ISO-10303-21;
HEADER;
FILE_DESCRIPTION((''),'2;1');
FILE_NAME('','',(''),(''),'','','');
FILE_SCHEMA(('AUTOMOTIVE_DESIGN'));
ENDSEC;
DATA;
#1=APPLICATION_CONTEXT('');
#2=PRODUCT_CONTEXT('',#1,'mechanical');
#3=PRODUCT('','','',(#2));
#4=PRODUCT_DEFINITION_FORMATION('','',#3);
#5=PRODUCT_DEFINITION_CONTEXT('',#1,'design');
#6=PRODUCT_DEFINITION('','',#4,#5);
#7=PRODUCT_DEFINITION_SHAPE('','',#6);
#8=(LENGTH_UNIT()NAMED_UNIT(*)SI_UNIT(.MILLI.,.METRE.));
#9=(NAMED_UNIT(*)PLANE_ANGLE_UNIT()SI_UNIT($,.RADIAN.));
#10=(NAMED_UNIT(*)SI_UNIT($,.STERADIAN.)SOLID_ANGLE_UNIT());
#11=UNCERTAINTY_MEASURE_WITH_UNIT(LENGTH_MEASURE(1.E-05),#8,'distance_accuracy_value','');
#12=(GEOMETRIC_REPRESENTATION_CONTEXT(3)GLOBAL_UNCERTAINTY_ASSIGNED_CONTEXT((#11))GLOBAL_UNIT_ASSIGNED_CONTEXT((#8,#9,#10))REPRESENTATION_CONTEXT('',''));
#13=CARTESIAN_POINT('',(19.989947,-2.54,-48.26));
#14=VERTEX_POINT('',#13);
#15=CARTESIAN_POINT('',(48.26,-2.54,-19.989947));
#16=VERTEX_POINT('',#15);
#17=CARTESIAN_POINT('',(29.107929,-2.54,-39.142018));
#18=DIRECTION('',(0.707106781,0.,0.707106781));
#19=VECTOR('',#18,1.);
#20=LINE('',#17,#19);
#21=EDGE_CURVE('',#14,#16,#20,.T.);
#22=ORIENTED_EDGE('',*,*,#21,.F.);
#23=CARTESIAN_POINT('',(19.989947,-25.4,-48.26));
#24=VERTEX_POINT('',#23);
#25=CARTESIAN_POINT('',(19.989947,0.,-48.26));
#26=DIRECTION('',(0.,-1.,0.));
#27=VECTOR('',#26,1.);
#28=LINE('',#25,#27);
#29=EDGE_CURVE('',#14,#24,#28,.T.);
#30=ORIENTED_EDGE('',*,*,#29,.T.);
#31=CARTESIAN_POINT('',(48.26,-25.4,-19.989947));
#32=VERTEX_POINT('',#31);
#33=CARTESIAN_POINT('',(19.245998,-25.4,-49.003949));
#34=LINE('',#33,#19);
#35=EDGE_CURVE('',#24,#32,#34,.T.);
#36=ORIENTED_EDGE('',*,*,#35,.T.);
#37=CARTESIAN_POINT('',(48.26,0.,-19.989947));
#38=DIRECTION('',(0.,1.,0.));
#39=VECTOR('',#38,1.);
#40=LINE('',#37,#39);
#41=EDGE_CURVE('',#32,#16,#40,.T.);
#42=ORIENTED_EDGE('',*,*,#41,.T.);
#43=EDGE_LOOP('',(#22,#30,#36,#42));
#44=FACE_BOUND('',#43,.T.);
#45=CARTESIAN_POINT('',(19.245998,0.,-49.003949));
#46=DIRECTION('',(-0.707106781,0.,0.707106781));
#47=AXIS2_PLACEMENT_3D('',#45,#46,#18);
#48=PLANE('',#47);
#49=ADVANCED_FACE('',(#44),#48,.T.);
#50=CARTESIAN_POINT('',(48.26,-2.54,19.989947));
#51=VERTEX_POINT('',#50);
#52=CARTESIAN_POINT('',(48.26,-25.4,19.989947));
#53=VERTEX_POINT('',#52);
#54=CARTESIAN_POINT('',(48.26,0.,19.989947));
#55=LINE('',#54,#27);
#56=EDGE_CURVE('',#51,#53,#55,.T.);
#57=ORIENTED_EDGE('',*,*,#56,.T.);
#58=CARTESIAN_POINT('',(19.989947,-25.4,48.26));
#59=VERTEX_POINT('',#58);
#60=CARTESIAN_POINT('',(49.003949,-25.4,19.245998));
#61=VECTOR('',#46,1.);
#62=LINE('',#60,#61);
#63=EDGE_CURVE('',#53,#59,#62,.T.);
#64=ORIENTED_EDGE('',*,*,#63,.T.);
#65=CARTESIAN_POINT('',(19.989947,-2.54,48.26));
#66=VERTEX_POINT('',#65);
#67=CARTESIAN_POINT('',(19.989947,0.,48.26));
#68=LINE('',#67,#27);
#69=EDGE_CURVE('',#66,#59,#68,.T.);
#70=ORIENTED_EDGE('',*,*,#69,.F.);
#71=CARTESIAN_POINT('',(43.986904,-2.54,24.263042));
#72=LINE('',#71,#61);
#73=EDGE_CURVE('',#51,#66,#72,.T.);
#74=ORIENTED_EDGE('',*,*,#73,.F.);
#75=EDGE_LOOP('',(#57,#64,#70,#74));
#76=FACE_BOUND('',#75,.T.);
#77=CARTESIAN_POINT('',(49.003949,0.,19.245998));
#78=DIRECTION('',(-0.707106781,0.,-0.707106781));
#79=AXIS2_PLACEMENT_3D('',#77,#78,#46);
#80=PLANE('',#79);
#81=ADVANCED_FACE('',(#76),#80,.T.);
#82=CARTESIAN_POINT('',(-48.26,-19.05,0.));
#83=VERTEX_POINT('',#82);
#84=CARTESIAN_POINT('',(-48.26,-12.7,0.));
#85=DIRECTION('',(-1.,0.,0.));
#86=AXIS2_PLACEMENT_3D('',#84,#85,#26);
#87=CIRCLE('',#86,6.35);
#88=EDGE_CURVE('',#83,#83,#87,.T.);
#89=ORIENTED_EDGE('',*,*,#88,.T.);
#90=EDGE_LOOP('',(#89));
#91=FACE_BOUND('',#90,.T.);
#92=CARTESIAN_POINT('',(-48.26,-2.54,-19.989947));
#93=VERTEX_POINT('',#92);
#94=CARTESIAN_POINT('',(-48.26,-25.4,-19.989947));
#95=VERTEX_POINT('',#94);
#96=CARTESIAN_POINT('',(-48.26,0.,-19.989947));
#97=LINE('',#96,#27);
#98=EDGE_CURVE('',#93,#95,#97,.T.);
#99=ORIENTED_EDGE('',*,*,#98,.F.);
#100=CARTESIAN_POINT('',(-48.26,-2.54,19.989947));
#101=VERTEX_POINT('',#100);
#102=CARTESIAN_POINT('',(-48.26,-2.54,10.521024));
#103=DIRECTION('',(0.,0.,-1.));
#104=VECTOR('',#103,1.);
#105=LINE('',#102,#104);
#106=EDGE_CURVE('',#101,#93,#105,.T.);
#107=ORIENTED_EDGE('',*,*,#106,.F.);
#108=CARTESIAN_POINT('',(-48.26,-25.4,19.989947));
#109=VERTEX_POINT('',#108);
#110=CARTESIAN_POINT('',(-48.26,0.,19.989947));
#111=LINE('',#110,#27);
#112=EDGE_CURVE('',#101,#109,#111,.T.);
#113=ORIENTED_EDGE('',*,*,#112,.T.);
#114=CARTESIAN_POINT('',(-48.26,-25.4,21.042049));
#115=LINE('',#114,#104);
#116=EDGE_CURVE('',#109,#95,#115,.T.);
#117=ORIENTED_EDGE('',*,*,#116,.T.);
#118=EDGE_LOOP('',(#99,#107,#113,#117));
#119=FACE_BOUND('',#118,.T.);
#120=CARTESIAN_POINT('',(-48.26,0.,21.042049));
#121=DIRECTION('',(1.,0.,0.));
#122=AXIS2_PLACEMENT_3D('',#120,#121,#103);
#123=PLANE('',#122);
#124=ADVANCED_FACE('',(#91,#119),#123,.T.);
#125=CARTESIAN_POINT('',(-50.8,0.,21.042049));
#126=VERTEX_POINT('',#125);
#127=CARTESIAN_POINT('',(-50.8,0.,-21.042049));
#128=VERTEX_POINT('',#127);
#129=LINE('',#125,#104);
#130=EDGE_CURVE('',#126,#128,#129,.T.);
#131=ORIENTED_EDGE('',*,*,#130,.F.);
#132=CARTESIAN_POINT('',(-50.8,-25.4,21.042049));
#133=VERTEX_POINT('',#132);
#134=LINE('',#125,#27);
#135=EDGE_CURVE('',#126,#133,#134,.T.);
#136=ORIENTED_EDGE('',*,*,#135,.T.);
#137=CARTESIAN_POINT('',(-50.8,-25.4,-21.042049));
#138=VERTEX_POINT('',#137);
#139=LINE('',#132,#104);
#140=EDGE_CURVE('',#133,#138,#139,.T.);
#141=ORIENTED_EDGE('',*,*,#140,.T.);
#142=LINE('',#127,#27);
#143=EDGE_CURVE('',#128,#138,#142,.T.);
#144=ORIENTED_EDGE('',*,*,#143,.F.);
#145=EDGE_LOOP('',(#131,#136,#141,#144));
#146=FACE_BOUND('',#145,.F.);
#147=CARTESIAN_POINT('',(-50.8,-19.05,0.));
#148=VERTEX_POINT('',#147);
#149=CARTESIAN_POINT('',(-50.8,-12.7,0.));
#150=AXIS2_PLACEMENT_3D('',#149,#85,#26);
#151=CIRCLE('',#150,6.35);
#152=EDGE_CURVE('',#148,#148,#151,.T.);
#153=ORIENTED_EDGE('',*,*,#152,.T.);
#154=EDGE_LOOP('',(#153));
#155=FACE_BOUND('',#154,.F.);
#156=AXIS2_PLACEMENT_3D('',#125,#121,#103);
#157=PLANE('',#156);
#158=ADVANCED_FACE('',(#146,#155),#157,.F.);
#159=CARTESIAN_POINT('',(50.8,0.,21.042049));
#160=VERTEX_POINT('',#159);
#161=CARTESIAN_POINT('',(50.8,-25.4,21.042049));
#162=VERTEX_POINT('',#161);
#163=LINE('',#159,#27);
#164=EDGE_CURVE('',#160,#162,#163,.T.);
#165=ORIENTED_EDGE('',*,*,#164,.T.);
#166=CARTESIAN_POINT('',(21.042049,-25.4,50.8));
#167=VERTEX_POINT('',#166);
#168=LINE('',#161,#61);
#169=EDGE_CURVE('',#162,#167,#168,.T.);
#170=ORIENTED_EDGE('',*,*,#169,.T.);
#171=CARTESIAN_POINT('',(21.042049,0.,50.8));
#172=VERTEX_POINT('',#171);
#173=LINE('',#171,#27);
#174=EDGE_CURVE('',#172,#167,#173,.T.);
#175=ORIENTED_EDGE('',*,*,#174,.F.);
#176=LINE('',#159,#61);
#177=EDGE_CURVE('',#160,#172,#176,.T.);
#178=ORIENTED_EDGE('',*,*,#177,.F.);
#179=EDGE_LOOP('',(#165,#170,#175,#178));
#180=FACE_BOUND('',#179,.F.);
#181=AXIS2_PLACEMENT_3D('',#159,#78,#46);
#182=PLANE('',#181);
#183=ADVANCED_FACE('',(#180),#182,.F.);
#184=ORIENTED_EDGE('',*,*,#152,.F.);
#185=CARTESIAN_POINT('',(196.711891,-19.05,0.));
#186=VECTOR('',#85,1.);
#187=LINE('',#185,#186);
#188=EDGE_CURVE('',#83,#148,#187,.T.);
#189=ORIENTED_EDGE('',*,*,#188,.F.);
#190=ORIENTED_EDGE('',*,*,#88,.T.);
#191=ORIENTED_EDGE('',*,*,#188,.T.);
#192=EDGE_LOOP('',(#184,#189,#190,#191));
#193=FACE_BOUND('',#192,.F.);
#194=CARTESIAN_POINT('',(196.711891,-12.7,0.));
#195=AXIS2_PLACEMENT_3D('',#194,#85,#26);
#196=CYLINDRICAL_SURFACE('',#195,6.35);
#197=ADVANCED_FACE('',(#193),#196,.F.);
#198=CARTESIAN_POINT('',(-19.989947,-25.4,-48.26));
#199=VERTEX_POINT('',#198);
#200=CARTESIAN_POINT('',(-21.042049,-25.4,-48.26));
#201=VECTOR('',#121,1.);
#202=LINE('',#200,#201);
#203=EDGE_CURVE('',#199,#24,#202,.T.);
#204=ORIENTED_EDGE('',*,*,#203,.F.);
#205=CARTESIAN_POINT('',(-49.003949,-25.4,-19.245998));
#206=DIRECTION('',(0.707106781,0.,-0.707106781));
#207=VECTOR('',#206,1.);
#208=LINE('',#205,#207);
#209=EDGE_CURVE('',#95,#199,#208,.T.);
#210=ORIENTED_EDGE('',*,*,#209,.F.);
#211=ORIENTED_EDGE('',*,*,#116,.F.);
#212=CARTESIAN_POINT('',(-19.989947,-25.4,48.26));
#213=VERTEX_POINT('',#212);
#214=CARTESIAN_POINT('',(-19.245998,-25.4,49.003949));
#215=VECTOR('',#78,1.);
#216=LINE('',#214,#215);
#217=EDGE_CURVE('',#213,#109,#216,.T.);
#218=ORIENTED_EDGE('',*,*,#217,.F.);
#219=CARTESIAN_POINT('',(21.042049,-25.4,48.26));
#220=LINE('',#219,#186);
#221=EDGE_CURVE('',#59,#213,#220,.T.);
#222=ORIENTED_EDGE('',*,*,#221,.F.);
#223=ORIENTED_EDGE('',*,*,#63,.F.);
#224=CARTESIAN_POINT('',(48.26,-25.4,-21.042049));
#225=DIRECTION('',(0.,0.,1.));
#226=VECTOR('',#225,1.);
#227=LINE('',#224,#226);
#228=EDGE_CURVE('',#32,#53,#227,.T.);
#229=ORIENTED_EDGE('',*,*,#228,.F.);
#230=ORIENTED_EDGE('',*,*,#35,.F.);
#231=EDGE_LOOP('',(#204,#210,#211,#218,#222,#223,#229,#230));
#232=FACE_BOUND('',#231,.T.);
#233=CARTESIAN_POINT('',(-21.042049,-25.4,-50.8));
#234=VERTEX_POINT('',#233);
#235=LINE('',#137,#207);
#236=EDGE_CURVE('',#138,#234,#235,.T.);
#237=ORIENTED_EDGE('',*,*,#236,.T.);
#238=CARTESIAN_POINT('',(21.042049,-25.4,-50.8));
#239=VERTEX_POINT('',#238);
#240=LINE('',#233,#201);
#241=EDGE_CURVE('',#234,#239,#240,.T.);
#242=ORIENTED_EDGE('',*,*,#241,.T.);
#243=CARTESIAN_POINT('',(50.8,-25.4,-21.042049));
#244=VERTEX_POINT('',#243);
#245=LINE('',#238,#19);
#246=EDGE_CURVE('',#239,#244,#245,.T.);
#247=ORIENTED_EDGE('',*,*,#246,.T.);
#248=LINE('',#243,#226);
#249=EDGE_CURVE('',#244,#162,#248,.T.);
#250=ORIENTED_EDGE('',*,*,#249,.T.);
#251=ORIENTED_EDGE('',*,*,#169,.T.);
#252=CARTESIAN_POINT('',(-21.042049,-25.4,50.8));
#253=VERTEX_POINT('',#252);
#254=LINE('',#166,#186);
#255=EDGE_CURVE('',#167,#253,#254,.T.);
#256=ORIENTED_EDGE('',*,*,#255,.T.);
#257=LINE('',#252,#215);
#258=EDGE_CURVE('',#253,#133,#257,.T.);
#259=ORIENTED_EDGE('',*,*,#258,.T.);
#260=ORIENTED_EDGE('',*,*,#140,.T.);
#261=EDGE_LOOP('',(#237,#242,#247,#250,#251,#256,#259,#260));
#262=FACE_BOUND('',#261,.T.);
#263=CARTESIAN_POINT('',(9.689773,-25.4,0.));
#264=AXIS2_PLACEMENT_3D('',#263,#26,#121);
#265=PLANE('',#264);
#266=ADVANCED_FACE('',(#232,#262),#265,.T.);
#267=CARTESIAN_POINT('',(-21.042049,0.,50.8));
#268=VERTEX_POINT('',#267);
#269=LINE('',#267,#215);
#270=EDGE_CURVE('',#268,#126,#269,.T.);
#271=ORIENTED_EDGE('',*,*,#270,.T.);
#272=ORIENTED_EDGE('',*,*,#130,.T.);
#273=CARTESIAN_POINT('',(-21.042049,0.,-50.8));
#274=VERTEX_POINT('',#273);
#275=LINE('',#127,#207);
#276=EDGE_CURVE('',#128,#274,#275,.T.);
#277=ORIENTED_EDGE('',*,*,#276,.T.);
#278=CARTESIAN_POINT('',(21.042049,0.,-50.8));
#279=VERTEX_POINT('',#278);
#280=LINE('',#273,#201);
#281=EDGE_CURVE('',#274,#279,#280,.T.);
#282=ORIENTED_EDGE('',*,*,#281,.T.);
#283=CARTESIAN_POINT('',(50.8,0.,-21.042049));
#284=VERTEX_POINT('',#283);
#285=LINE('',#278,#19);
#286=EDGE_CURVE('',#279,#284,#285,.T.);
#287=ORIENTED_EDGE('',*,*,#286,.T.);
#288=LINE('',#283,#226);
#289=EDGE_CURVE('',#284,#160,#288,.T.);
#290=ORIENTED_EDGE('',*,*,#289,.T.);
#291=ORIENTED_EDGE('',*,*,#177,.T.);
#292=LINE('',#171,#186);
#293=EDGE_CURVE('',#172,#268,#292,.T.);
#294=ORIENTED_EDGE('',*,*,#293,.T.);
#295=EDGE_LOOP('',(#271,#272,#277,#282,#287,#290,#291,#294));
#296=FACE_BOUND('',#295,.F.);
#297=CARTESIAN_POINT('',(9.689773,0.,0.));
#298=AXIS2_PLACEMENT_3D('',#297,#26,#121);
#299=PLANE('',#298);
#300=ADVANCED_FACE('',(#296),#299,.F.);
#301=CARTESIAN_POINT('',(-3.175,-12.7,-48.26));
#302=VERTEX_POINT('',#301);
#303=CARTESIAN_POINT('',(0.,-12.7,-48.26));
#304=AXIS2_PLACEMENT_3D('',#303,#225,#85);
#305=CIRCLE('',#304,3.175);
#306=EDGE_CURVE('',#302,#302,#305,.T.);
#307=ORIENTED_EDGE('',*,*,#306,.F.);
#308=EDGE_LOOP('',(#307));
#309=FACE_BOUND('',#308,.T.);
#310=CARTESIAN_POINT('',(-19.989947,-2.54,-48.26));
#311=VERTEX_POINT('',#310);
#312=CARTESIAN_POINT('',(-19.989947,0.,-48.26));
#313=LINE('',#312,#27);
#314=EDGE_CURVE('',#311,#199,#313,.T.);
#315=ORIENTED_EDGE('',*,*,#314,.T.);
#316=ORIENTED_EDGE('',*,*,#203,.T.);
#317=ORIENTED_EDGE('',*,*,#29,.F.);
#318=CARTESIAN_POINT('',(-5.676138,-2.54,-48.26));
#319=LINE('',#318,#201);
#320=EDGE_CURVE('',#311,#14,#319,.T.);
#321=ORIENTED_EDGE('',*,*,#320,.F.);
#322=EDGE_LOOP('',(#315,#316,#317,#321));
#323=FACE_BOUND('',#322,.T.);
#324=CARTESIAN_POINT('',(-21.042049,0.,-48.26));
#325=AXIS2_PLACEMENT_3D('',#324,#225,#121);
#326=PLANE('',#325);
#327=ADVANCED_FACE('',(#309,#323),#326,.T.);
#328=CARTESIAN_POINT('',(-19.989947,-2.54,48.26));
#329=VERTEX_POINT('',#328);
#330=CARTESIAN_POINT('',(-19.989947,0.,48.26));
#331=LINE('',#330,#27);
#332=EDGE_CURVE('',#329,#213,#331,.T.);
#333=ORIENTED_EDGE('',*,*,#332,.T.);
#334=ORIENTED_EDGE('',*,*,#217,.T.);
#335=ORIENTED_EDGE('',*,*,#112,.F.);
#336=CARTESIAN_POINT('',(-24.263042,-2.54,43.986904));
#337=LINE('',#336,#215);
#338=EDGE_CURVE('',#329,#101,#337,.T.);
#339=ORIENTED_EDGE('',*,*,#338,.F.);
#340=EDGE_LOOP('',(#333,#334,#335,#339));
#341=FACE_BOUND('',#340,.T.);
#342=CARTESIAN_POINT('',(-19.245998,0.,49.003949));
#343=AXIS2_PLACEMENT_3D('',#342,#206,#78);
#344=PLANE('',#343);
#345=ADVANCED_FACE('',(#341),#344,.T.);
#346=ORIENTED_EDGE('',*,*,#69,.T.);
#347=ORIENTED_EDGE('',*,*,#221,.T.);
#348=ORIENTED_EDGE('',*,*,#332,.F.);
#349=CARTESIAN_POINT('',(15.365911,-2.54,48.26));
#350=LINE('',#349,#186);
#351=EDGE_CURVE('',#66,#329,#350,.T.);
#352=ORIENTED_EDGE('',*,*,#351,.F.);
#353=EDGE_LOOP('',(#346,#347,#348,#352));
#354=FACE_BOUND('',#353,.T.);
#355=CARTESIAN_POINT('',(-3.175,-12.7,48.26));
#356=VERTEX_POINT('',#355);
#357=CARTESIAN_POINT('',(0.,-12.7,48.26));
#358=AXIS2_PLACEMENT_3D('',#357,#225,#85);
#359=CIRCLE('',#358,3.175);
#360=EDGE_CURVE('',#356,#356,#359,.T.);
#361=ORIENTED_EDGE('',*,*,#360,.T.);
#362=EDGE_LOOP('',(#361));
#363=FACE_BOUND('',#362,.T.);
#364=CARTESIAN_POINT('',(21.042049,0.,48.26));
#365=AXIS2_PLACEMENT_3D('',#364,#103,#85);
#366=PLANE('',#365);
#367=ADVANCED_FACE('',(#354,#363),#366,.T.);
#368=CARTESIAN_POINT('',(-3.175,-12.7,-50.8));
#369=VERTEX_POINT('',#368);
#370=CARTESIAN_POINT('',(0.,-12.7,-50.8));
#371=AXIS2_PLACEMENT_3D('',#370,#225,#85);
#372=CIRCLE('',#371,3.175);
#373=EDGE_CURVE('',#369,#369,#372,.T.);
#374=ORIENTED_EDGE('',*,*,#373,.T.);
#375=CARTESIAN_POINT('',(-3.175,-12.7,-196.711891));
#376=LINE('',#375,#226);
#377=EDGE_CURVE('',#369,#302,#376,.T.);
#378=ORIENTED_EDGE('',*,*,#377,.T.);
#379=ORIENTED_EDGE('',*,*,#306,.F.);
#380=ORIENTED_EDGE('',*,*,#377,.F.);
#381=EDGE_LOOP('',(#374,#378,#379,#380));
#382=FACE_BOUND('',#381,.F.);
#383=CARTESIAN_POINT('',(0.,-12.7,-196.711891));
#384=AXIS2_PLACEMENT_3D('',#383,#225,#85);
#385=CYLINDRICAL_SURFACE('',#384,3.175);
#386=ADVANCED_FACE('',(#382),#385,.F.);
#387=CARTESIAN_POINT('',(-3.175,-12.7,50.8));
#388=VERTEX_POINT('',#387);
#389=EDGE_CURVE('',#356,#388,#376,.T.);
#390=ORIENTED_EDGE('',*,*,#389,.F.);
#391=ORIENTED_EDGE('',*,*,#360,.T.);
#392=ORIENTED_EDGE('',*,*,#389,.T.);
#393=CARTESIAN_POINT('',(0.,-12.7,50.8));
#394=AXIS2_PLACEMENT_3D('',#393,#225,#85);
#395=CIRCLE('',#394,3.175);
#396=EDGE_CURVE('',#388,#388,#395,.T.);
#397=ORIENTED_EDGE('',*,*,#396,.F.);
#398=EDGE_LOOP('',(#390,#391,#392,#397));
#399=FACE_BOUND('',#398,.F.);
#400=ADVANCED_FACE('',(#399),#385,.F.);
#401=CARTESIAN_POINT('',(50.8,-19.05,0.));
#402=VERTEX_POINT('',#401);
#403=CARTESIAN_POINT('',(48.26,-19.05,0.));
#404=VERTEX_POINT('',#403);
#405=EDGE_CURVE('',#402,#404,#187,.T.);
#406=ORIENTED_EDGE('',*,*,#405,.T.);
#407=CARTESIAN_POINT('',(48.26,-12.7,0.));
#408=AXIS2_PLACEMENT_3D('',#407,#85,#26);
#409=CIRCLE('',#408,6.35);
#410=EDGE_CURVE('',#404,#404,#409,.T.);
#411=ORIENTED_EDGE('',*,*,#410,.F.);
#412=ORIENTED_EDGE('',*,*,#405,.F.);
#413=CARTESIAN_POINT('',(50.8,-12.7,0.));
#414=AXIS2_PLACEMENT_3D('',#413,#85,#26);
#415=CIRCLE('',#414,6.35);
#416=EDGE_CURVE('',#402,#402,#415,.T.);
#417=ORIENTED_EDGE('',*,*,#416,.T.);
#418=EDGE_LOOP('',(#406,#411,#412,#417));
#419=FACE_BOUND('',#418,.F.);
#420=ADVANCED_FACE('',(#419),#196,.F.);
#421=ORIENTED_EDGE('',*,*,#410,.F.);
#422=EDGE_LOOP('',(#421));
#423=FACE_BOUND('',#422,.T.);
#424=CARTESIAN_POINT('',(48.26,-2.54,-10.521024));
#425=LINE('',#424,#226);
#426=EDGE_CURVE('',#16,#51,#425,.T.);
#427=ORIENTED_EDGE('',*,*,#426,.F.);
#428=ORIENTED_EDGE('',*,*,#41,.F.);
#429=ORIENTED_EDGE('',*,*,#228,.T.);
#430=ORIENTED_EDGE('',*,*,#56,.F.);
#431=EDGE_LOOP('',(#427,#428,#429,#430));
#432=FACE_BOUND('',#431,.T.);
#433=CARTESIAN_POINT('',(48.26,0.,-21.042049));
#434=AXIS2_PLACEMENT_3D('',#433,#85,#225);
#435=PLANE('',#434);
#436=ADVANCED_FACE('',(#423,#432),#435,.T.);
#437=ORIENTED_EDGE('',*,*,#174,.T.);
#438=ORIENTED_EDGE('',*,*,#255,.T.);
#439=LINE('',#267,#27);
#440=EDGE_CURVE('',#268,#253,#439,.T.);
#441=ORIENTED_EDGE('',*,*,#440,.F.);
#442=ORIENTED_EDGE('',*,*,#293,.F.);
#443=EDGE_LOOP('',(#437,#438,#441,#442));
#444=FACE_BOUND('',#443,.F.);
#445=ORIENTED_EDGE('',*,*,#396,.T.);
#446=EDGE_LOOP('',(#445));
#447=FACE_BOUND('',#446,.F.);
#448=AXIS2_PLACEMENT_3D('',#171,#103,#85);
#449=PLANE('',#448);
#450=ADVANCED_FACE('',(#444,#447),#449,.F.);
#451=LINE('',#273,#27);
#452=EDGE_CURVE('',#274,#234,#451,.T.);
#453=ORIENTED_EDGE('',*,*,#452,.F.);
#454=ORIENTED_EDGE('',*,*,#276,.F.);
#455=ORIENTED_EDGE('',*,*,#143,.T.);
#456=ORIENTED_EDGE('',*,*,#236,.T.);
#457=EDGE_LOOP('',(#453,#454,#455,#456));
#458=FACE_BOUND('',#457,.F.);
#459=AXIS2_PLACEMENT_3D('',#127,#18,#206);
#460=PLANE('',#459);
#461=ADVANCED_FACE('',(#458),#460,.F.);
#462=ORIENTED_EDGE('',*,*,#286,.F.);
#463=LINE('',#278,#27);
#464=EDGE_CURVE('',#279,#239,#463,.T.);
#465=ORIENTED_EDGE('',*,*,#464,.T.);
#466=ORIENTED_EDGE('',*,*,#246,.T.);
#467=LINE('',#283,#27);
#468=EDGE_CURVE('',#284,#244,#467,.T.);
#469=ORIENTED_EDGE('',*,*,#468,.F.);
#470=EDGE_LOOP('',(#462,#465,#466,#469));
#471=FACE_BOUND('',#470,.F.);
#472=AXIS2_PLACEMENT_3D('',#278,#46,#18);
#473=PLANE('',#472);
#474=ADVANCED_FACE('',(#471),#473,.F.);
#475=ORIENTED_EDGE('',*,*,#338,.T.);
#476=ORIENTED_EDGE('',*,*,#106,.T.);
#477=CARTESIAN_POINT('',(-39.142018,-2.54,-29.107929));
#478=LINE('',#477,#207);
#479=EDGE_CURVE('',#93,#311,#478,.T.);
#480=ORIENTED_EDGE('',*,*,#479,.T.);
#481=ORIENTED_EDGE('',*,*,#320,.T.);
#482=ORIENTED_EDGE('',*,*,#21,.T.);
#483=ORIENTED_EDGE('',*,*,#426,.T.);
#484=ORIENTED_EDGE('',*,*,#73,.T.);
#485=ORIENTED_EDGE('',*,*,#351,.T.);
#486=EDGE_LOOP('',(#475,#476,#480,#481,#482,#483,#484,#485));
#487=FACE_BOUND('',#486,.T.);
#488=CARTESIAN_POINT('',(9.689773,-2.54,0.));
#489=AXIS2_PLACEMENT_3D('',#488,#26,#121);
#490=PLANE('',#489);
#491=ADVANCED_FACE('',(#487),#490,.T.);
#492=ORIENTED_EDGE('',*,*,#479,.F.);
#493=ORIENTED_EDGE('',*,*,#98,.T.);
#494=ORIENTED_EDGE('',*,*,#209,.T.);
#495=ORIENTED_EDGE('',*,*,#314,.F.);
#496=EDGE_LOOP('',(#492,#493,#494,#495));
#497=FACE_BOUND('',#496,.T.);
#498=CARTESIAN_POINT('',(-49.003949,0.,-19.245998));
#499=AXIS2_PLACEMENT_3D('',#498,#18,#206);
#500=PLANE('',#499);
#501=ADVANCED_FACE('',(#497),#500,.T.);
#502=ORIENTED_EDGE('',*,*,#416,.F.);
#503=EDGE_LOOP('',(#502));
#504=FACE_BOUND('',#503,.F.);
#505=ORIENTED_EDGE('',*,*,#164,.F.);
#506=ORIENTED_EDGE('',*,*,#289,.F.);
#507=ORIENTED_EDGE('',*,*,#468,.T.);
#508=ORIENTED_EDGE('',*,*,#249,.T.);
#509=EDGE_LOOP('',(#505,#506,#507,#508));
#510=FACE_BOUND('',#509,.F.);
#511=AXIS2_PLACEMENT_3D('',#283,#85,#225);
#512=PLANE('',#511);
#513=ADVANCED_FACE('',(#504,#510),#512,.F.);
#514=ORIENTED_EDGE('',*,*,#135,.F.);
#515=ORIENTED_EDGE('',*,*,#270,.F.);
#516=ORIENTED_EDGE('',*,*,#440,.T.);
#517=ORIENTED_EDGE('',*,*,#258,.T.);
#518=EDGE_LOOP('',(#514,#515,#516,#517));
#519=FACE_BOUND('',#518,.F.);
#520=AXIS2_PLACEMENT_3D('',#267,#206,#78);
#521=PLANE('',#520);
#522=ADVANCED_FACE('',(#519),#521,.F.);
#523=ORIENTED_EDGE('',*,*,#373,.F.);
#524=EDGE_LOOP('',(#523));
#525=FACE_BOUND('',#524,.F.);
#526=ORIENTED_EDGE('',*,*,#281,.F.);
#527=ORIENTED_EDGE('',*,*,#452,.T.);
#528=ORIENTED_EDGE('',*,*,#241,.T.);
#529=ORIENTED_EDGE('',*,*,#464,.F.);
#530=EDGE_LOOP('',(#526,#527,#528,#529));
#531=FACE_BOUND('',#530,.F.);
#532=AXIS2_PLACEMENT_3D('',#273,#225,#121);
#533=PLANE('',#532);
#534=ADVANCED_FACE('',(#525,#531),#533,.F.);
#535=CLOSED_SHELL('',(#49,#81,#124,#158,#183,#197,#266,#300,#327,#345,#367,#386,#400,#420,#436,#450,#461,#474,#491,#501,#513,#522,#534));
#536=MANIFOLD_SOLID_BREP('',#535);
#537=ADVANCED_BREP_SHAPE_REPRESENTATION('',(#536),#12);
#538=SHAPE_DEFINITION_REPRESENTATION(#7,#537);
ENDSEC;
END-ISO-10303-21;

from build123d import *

# Parameters (mm, degrees)
F1_DEPTH = 25.4
F2_T     = -2.54
F4_D     = 6.35
F6_D     = 12.7


with BuildPart() as f1:
    # F0 (on Front) → F1 (new body)
    with BuildSketch(Plane.XZ):
        Polygon((50.8, -21.042049), (50.8, 21.042049), (21.042049, 50.8), (-21.042049, 50.8), (-21.042049, -50.8), (0, -50.8), (21.042049, -50.8), align=None)
        Polygon((-21.042049, -50.8), (-21.042049, 50.8), (-50.8, 21.042049), (-50.8, -21.042049), align=None)
    extrude(amount=F1_DEPTH)

    # F2
    f2_openings = [f1.faces().sort_by_distance(p)[0] for p in [
        (0, -25.4, 0),
    ]]
    offset(amount=F2_T, openings=f2_openings)

    # F4 (through all)
    with Locations(Plane(origin=(0, 0, -50.8), x_dir=(1, 0, 0), z_dir=(0, 0, -1))):
        with Locations((0, 12.7)):
            Hole(F4_D / 2)

    # F6 (through all)
    with Locations(Plane.YZ.offset(50.8)):
        with Locations((-12.7, 0)):
            Hole(F6_D / 2)


solid = f1.part
